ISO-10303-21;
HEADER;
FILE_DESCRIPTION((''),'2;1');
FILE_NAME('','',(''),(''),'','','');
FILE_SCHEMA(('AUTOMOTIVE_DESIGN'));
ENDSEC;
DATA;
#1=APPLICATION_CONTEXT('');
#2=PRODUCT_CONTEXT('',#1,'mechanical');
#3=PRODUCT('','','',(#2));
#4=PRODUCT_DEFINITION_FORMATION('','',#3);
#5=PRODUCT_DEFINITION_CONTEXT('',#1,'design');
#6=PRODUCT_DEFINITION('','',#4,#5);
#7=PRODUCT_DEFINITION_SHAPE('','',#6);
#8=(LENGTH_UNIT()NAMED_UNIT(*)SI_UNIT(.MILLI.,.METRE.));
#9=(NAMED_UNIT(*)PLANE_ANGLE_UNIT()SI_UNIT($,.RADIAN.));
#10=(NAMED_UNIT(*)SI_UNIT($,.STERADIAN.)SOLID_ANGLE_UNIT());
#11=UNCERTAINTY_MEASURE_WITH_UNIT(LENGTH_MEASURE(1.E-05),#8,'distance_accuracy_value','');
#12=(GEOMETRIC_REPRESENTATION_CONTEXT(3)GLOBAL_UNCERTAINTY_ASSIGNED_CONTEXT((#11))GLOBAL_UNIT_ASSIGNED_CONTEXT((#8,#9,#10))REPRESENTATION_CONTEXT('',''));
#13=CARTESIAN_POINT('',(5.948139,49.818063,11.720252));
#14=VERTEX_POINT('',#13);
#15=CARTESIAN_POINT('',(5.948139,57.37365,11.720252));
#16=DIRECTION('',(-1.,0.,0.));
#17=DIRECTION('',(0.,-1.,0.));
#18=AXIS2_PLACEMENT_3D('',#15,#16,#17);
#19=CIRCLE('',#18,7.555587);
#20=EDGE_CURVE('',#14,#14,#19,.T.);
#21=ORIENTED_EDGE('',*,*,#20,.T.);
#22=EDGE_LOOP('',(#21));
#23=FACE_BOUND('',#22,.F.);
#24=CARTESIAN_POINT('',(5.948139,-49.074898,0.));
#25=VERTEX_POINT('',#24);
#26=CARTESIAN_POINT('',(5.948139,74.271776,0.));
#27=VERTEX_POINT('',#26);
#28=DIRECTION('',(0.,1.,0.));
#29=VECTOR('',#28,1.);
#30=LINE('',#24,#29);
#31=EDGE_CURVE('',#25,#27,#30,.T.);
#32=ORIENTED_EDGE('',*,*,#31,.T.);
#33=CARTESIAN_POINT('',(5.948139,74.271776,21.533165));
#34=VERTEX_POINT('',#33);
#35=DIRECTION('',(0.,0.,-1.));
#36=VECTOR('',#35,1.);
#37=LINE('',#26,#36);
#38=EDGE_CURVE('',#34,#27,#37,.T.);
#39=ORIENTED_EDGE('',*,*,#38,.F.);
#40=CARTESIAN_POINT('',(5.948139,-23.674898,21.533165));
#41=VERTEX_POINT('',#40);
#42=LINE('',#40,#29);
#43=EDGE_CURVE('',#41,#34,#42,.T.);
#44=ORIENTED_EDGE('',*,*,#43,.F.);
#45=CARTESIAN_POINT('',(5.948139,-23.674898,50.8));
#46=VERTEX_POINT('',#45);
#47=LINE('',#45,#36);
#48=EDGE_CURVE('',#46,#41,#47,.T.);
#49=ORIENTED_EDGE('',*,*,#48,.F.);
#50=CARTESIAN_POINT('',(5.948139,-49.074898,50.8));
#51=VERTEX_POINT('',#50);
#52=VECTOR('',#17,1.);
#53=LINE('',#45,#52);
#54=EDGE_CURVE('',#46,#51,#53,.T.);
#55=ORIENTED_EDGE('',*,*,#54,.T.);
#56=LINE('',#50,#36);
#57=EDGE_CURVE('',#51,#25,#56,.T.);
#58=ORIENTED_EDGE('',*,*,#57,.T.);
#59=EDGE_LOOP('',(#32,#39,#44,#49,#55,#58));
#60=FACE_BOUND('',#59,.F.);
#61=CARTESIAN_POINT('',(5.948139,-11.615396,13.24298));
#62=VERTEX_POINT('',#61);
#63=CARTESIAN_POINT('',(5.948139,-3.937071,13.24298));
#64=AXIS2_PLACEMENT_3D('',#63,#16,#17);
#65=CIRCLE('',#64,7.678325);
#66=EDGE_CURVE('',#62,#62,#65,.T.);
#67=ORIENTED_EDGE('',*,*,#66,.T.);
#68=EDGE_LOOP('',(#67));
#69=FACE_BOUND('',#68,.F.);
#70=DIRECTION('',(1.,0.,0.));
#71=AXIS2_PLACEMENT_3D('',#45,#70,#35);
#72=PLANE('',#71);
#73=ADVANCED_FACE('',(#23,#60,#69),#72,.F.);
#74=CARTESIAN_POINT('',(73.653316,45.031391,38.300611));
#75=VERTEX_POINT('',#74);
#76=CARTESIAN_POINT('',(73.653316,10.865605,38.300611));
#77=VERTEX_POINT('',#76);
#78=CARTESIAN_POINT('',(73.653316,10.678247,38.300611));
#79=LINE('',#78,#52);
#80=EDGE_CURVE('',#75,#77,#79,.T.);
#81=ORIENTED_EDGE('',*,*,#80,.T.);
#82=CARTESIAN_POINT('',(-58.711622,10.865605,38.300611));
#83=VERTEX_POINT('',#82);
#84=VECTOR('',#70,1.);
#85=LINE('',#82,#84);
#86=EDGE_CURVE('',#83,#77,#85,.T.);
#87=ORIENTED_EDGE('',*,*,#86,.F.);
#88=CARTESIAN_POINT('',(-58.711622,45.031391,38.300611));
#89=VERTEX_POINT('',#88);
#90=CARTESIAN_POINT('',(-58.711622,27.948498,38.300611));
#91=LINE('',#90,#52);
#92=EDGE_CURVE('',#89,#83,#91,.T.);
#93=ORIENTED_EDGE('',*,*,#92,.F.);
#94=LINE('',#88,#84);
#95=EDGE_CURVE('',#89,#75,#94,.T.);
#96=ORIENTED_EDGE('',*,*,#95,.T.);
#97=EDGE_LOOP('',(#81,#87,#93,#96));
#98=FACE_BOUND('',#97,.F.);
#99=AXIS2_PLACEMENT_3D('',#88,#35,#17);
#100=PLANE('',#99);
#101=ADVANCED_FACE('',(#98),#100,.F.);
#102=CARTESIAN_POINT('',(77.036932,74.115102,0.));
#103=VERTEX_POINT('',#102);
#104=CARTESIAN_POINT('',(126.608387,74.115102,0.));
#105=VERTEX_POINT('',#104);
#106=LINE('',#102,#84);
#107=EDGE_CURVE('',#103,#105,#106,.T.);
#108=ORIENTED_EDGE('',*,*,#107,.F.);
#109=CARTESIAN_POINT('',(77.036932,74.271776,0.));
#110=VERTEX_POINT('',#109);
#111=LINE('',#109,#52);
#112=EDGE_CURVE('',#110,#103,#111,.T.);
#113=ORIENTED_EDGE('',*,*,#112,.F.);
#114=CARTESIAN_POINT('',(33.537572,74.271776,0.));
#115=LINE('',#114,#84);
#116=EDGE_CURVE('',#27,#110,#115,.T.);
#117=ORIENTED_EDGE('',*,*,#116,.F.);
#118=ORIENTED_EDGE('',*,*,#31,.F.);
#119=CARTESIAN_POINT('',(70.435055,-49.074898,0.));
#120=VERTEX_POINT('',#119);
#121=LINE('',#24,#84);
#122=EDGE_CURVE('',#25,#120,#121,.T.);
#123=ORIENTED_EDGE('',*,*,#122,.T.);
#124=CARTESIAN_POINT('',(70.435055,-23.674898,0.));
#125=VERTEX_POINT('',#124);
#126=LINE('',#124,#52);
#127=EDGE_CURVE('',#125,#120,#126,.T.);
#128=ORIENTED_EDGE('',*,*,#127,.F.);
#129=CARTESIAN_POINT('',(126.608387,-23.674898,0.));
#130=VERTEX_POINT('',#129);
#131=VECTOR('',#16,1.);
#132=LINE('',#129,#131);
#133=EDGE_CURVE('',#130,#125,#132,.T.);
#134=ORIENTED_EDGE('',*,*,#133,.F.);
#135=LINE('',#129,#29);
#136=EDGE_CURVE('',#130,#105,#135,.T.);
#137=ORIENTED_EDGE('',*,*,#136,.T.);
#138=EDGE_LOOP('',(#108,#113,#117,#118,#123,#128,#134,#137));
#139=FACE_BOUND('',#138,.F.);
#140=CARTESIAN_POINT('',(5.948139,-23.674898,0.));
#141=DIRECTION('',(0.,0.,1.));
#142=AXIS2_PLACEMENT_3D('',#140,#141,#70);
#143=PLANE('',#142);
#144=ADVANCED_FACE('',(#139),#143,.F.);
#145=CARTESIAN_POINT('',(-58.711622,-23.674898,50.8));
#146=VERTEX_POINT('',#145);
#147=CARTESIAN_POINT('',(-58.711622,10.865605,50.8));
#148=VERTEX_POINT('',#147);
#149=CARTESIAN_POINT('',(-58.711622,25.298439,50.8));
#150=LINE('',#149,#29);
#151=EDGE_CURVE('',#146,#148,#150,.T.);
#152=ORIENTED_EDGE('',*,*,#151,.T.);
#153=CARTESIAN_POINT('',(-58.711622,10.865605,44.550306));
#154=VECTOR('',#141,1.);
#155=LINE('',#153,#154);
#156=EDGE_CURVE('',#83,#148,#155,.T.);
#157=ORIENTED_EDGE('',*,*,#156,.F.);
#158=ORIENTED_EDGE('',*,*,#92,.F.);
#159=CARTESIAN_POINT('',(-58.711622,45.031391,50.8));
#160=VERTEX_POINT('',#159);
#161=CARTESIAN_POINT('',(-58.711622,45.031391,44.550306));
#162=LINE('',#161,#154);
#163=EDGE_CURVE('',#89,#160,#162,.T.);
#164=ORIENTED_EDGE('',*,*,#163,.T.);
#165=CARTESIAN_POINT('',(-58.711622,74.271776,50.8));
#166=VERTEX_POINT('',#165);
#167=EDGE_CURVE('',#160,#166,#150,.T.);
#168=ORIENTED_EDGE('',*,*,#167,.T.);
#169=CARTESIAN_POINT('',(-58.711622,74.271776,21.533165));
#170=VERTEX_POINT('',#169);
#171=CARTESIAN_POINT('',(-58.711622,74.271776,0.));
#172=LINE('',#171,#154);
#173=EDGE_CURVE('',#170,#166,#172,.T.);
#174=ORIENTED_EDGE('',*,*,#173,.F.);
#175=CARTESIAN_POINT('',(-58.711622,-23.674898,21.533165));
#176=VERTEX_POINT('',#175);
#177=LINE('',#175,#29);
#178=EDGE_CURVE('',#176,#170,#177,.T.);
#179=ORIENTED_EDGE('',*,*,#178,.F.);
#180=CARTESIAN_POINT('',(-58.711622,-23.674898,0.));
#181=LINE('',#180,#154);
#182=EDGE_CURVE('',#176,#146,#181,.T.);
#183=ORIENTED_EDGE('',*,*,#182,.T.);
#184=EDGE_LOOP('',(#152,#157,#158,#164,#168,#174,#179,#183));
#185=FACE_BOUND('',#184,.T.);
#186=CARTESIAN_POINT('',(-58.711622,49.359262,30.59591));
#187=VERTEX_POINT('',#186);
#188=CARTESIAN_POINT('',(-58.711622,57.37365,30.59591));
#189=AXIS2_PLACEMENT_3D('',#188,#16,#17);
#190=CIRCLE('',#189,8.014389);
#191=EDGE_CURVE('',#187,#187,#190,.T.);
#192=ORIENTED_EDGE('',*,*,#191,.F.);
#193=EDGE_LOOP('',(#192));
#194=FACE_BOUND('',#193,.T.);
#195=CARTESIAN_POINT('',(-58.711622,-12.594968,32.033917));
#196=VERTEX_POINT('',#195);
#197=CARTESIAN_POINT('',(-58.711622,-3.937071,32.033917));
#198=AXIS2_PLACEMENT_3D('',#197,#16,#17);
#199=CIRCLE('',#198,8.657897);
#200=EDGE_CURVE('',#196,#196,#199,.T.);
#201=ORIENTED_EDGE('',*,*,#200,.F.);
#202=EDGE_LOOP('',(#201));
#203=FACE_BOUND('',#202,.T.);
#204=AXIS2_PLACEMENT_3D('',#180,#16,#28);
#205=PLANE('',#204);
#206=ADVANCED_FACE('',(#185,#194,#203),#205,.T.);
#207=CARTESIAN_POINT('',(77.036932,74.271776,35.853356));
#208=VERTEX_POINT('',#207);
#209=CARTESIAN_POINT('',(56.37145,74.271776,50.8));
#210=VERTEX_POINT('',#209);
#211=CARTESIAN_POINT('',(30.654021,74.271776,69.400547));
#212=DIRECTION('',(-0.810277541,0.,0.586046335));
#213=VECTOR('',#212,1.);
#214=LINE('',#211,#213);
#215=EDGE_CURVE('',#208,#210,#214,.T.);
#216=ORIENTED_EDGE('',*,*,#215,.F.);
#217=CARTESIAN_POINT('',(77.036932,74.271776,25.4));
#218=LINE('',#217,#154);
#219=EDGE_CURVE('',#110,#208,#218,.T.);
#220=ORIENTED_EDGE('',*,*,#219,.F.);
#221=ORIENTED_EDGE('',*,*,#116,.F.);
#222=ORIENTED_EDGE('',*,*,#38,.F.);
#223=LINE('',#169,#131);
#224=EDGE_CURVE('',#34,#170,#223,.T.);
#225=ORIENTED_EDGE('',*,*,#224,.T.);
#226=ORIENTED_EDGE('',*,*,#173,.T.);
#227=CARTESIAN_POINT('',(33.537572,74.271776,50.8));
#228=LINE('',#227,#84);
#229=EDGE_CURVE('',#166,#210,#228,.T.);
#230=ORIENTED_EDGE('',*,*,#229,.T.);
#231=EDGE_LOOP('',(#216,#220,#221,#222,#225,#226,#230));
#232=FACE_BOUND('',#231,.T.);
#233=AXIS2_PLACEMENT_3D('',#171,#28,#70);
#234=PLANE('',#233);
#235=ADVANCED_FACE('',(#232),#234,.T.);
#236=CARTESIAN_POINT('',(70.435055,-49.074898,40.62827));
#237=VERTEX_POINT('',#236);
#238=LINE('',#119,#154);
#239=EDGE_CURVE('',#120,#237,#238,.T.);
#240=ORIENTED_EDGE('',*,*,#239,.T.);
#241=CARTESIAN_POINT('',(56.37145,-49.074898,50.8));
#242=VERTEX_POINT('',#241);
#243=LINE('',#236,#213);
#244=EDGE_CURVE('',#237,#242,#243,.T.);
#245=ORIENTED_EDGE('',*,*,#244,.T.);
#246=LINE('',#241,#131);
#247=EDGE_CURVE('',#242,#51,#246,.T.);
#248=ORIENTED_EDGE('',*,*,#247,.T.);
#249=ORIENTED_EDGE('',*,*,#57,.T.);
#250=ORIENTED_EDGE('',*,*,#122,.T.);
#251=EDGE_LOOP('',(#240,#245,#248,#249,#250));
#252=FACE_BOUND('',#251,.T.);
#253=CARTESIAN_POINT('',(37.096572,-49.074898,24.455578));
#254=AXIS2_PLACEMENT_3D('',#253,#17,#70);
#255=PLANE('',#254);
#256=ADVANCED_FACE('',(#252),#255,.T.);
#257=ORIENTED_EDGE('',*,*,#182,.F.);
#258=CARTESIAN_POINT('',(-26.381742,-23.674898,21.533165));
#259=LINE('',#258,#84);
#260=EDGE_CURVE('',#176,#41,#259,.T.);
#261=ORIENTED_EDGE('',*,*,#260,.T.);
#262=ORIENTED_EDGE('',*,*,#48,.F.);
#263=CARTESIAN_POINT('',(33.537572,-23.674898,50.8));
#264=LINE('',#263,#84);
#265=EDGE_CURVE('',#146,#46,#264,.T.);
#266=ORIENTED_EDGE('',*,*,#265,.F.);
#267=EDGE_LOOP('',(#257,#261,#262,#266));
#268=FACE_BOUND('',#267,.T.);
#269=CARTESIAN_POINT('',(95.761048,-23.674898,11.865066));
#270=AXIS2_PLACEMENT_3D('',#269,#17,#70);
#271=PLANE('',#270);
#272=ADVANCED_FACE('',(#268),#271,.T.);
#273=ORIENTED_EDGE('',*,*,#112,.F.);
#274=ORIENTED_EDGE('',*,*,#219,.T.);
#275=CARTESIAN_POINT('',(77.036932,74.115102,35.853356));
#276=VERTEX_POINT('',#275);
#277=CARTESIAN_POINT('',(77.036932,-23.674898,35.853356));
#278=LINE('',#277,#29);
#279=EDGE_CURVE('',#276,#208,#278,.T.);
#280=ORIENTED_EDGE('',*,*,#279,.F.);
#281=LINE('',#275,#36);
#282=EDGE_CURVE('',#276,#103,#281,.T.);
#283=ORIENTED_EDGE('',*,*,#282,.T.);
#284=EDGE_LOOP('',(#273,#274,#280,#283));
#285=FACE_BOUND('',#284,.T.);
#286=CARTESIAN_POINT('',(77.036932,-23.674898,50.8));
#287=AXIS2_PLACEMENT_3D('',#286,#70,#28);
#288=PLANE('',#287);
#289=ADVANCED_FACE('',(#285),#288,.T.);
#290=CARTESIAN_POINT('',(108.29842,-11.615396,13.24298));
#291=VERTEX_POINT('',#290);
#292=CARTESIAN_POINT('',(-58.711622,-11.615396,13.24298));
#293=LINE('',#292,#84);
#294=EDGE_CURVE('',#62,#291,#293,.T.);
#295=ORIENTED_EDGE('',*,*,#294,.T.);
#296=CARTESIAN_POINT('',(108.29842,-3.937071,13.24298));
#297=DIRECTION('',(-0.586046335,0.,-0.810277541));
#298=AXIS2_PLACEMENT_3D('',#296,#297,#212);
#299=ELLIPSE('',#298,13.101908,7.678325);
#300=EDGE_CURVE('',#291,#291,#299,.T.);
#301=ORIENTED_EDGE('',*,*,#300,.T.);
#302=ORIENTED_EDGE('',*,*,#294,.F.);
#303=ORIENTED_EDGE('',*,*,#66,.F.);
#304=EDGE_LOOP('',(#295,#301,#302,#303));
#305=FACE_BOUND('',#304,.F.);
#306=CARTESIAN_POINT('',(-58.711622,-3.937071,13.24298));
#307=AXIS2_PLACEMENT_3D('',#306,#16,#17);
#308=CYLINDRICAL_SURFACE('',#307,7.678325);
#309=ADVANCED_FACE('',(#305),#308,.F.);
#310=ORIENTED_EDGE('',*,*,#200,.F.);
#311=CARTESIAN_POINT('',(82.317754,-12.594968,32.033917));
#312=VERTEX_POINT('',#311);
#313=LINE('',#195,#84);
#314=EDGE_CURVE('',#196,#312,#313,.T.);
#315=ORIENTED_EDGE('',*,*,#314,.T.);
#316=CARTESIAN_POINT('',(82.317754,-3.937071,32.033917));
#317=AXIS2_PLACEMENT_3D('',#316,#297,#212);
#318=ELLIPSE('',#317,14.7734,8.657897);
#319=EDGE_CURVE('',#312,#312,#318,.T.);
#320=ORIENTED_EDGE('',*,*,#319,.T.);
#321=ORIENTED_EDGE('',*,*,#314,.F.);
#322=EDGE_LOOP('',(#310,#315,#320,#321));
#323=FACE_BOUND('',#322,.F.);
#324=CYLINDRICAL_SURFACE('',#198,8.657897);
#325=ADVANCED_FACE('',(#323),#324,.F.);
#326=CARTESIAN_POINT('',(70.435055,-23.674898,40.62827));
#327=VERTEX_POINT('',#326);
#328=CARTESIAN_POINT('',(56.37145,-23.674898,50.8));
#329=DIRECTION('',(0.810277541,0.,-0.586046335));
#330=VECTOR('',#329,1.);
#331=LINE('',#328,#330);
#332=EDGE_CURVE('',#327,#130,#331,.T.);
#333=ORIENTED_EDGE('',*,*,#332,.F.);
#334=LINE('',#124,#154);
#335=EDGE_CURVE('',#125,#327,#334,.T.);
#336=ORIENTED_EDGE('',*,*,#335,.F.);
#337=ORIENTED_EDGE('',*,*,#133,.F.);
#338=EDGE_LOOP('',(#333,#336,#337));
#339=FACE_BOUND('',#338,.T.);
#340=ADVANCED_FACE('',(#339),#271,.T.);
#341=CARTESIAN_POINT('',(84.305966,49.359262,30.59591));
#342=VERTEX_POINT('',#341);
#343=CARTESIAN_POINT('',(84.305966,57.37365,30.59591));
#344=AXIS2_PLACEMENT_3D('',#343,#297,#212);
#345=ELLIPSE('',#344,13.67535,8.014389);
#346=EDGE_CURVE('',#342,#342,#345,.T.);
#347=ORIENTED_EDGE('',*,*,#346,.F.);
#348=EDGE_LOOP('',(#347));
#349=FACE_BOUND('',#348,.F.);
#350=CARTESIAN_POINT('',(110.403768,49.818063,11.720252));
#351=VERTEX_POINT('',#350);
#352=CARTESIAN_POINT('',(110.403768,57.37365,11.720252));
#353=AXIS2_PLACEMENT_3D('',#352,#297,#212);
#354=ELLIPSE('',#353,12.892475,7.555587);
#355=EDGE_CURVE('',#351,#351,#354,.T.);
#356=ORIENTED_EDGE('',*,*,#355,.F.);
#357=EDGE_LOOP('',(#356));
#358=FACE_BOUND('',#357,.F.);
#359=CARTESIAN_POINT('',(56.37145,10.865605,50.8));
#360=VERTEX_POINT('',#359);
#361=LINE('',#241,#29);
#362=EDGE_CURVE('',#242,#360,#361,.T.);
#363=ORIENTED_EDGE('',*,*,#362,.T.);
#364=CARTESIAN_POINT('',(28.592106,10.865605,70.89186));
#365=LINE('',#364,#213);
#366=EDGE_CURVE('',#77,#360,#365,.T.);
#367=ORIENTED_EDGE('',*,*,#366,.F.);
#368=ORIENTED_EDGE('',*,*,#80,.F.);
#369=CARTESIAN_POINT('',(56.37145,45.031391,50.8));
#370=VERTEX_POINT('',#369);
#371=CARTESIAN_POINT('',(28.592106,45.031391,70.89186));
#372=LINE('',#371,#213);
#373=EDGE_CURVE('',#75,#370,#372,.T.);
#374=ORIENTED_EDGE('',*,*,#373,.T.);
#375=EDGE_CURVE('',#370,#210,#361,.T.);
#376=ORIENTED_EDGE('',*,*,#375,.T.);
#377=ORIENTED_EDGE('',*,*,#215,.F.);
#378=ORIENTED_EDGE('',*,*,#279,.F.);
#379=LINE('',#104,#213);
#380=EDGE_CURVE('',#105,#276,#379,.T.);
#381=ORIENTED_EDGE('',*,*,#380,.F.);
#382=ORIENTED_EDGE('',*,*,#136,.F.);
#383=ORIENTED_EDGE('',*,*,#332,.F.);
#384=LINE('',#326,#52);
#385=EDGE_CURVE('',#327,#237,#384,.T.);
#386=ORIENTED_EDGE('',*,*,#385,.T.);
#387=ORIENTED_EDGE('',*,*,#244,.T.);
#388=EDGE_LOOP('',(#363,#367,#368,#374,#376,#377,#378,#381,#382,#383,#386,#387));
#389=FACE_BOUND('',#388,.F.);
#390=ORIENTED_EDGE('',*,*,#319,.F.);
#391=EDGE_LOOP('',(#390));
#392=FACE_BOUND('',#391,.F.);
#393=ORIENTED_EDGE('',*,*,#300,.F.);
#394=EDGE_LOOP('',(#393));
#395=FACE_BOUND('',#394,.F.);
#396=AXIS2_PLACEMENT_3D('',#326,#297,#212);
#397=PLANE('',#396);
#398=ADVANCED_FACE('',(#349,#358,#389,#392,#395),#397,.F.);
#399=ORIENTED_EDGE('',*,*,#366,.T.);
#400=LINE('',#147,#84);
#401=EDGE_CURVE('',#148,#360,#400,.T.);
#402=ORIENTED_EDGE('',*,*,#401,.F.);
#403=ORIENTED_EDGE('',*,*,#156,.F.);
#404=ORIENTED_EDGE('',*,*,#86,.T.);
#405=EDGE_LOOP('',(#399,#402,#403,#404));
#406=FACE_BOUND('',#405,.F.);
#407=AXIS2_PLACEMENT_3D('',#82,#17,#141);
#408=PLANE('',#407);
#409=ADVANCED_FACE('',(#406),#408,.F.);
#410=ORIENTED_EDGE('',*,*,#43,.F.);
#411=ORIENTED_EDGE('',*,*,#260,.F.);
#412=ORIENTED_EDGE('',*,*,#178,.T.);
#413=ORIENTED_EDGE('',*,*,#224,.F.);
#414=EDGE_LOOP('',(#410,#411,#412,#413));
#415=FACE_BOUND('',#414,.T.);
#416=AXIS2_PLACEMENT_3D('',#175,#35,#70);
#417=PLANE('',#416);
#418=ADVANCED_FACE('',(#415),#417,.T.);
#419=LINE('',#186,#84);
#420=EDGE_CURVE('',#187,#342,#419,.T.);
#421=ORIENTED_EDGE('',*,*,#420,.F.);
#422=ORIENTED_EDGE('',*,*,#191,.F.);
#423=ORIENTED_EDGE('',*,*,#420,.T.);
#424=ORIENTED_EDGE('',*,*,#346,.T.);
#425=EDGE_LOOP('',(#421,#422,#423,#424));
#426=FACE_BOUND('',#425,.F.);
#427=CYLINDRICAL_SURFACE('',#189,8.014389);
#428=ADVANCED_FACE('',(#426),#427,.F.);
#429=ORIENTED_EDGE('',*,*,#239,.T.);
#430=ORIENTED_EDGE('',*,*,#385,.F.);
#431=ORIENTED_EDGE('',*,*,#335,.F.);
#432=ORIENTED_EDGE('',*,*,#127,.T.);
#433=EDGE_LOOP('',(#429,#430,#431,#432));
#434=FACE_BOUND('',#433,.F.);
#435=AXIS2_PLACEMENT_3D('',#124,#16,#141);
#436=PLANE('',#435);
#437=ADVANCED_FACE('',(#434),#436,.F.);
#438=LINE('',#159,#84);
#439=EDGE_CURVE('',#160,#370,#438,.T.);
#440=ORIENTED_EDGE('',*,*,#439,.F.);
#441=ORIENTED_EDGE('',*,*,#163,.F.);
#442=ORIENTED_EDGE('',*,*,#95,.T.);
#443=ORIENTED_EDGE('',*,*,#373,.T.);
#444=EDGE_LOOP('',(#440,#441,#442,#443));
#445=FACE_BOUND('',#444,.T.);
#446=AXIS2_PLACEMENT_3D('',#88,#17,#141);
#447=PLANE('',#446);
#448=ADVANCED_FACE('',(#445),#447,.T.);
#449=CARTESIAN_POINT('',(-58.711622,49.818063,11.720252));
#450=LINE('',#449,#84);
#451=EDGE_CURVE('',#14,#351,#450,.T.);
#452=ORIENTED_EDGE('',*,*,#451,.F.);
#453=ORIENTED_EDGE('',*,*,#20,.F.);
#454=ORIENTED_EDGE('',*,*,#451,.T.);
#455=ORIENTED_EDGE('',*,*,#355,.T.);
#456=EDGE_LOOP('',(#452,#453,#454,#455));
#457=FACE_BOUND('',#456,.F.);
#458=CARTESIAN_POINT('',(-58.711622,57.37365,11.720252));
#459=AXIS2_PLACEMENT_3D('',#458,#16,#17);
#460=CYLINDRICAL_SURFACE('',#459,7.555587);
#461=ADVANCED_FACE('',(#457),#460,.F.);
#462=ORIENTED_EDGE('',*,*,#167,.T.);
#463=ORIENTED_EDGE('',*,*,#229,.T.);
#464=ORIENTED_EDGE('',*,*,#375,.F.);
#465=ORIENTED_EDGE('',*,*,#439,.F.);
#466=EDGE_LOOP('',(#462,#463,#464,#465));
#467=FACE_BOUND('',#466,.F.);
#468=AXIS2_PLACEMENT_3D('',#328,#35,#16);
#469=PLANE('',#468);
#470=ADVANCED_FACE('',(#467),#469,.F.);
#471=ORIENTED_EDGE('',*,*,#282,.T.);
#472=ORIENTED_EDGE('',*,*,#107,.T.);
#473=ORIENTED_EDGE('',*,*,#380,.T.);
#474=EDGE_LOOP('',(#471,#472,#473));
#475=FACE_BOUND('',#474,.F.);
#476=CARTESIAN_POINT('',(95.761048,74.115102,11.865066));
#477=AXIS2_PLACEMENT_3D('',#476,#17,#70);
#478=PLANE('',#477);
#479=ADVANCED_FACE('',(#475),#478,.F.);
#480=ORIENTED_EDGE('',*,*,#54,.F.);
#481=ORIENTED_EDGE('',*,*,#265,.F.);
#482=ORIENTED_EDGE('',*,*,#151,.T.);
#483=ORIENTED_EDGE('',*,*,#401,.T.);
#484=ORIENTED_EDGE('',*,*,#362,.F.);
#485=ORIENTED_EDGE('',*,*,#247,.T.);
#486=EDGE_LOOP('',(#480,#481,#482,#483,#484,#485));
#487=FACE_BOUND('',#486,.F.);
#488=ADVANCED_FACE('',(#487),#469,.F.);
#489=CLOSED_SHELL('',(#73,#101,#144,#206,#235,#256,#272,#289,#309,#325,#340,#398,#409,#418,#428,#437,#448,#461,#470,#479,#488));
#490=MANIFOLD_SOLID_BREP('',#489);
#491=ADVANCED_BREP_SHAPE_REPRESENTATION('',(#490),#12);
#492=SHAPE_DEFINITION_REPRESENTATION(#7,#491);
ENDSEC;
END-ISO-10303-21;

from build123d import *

# Parameters (mm, degrees)
F0_W      = 184.4983883202
F0_H      = 97.9466736317
F1_DEPTH  = 50.8
F2_W      = 48.7498342991
F2_H      = 32.1726370603
F3_DEPTH  = 51.816
F5_DEPTH  = 152.4
F6_DEPTH  = 97.79
F8_DEPTH  = 200.914
F9_W      = 64.6597607993
F9_H      = 21.533165127
F10_DEPTH = 2540
F12_DEPTH = 25.4
F13_W     = 34.1657865793
F13_H     = 12.4993889213
F14_DEPTH = 177.8
F15_R     = 8.0143887739
F16_DEPTH = 381
F15_R_2   = 8.6578968481
F17_DEPTH = 381
F15_R_3   = 7.6783249055
F18_DEPTH = 381
F15_R_4   = 7.5555874341
F19_DEPTH = 381


with BuildPart() as f1:
    # F0 (on Top) → F1 (new body)
    with BuildSketch(Plane.XY):
        with Locations((33.5375722498, 25.2984389663)):
            Rectangle(F0_W, F0_H)
    extrude(amount=F1_DEPTH)

    # F2 (on face) → F3 (cut)
    with BuildSketch(Plane.XY.offset(50.8)):
        with Locations((101.4118492603, -7.5885793194)):
            Rectangle(F2_W, F2_H)
    extrude(amount=-F3_DEPTH, mode=Mode.SUBTRACT)

    # F5 (cut): a face of the model
    f5_faces = [f1.faces().sort_by_distance(p)[0] for p in [
        (101.4118492603, 8.4977392107, 25.4),
    ]]
    extrude(f5_faces, amount=-F5_DEPTH, mode=Mode.SUBTRACT)

    # F4 (on face) → F6 (join)
    with BuildSketch(Plane.XZ.offset(23.6748978496)):
        Polygon((126.6083866358, 0), (77.0369321108, 35.8533561641), (77.0369321108, 0), align=None)
    extrude(amount=-F6_DEPTH)

    # F7 (on face) → F8 (cut)
    with BuildSketch(Plane.XZ.offset(23.6748978496)):
        Polygon((56.3714504242, 50.8), (77.0369321108, 35.8533561641), (77.0369321108, 50.8), align=None)
    extrude(amount=-F8_DEPTH, mode=Mode.SUBTRACT)

    # F9 (on face) → F10 (cut)
    with BuildSketch(Plane.XZ.offset(23.6748978496)):
        with Locations((-26.3817415107, 10.7665825635)):
            Rectangle(F9_W, F9_H)
    extrude(amount=-F10_DEPTH, mode=Mode.SUBTRACT)

    # F11 (on face) → F12 (join)
    with BuildSketch(Plane.XZ.offset(23.6748978496)):
        Polygon((5.9481388889, 21.533165127), (5.9481388889, 0), (70.435055404, 0), (70.435055404, 40.6282702591), (56.3714504242, 50.8), (5.9481388889, 50.8), align=None)
    extrude(amount=F12_DEPTH)

    # F13 (on face) → F14 (cut)
    with BuildSketch(Plane(origin=(-58.7116219103, 0, 0), x_dir=(0, -1, 0), z_dir=(-1, 0, 0))):
        with Locations((-27.9484977946, 44.5503055394)):
            Rectangle(F13_W, F13_H)
    extrude(amount=-F14_DEPTH, mode=Mode.SUBTRACT)

    # F15 (on face) → F16 (cut)
    with BuildSketch(Plane(origin=(-58.7116219103, 0, 0), x_dir=(0, -1, 0), z_dir=(-1, 0, 0))):
        with Locations((-57.373650372, 30.5959098041)):
            Circle(F15_R)
    extrude(amount=-F16_DEPTH, mode=Mode.SUBTRACT)

    # F15 (on face) → F17 (cut)
    with BuildSketch(Plane(origin=(-58.7116219103, 0, 0), x_dir=(0, -1, 0), z_dir=(-1, 0, 0))):
        with Locations((3.9370707236, 32.0339165628)):
            Circle(F15_R_2)
    extrude(amount=-F17_DEPTH, mode=Mode.SUBTRACT)

    # F15 (on face) → F18 (cut)
    with BuildSketch(Plane(origin=(-58.7116219103, 0, 0), x_dir=(0, -1, 0), z_dir=(-1, 0, 0))):
        with Locations((3.9370707236, 13.242979534)):
            Circle(F15_R_3)
    extrude(amount=-F18_DEPTH, mode=Mode.SUBTRACT)

    # F15 (on face) → F19 (cut)
    with BuildSketch(Plane(origin=(-58.7116219103, 0, 0), x_dir=(0, -1, 0), z_dir=(-1, 0, 0))):
        with Locations((-57.373650372, 11.7202522233)):
            Circle(F15_R_4)
    extrude(amount=-F19_DEPTH, mode=Mode.SUBTRACT)


solid = f1.part
